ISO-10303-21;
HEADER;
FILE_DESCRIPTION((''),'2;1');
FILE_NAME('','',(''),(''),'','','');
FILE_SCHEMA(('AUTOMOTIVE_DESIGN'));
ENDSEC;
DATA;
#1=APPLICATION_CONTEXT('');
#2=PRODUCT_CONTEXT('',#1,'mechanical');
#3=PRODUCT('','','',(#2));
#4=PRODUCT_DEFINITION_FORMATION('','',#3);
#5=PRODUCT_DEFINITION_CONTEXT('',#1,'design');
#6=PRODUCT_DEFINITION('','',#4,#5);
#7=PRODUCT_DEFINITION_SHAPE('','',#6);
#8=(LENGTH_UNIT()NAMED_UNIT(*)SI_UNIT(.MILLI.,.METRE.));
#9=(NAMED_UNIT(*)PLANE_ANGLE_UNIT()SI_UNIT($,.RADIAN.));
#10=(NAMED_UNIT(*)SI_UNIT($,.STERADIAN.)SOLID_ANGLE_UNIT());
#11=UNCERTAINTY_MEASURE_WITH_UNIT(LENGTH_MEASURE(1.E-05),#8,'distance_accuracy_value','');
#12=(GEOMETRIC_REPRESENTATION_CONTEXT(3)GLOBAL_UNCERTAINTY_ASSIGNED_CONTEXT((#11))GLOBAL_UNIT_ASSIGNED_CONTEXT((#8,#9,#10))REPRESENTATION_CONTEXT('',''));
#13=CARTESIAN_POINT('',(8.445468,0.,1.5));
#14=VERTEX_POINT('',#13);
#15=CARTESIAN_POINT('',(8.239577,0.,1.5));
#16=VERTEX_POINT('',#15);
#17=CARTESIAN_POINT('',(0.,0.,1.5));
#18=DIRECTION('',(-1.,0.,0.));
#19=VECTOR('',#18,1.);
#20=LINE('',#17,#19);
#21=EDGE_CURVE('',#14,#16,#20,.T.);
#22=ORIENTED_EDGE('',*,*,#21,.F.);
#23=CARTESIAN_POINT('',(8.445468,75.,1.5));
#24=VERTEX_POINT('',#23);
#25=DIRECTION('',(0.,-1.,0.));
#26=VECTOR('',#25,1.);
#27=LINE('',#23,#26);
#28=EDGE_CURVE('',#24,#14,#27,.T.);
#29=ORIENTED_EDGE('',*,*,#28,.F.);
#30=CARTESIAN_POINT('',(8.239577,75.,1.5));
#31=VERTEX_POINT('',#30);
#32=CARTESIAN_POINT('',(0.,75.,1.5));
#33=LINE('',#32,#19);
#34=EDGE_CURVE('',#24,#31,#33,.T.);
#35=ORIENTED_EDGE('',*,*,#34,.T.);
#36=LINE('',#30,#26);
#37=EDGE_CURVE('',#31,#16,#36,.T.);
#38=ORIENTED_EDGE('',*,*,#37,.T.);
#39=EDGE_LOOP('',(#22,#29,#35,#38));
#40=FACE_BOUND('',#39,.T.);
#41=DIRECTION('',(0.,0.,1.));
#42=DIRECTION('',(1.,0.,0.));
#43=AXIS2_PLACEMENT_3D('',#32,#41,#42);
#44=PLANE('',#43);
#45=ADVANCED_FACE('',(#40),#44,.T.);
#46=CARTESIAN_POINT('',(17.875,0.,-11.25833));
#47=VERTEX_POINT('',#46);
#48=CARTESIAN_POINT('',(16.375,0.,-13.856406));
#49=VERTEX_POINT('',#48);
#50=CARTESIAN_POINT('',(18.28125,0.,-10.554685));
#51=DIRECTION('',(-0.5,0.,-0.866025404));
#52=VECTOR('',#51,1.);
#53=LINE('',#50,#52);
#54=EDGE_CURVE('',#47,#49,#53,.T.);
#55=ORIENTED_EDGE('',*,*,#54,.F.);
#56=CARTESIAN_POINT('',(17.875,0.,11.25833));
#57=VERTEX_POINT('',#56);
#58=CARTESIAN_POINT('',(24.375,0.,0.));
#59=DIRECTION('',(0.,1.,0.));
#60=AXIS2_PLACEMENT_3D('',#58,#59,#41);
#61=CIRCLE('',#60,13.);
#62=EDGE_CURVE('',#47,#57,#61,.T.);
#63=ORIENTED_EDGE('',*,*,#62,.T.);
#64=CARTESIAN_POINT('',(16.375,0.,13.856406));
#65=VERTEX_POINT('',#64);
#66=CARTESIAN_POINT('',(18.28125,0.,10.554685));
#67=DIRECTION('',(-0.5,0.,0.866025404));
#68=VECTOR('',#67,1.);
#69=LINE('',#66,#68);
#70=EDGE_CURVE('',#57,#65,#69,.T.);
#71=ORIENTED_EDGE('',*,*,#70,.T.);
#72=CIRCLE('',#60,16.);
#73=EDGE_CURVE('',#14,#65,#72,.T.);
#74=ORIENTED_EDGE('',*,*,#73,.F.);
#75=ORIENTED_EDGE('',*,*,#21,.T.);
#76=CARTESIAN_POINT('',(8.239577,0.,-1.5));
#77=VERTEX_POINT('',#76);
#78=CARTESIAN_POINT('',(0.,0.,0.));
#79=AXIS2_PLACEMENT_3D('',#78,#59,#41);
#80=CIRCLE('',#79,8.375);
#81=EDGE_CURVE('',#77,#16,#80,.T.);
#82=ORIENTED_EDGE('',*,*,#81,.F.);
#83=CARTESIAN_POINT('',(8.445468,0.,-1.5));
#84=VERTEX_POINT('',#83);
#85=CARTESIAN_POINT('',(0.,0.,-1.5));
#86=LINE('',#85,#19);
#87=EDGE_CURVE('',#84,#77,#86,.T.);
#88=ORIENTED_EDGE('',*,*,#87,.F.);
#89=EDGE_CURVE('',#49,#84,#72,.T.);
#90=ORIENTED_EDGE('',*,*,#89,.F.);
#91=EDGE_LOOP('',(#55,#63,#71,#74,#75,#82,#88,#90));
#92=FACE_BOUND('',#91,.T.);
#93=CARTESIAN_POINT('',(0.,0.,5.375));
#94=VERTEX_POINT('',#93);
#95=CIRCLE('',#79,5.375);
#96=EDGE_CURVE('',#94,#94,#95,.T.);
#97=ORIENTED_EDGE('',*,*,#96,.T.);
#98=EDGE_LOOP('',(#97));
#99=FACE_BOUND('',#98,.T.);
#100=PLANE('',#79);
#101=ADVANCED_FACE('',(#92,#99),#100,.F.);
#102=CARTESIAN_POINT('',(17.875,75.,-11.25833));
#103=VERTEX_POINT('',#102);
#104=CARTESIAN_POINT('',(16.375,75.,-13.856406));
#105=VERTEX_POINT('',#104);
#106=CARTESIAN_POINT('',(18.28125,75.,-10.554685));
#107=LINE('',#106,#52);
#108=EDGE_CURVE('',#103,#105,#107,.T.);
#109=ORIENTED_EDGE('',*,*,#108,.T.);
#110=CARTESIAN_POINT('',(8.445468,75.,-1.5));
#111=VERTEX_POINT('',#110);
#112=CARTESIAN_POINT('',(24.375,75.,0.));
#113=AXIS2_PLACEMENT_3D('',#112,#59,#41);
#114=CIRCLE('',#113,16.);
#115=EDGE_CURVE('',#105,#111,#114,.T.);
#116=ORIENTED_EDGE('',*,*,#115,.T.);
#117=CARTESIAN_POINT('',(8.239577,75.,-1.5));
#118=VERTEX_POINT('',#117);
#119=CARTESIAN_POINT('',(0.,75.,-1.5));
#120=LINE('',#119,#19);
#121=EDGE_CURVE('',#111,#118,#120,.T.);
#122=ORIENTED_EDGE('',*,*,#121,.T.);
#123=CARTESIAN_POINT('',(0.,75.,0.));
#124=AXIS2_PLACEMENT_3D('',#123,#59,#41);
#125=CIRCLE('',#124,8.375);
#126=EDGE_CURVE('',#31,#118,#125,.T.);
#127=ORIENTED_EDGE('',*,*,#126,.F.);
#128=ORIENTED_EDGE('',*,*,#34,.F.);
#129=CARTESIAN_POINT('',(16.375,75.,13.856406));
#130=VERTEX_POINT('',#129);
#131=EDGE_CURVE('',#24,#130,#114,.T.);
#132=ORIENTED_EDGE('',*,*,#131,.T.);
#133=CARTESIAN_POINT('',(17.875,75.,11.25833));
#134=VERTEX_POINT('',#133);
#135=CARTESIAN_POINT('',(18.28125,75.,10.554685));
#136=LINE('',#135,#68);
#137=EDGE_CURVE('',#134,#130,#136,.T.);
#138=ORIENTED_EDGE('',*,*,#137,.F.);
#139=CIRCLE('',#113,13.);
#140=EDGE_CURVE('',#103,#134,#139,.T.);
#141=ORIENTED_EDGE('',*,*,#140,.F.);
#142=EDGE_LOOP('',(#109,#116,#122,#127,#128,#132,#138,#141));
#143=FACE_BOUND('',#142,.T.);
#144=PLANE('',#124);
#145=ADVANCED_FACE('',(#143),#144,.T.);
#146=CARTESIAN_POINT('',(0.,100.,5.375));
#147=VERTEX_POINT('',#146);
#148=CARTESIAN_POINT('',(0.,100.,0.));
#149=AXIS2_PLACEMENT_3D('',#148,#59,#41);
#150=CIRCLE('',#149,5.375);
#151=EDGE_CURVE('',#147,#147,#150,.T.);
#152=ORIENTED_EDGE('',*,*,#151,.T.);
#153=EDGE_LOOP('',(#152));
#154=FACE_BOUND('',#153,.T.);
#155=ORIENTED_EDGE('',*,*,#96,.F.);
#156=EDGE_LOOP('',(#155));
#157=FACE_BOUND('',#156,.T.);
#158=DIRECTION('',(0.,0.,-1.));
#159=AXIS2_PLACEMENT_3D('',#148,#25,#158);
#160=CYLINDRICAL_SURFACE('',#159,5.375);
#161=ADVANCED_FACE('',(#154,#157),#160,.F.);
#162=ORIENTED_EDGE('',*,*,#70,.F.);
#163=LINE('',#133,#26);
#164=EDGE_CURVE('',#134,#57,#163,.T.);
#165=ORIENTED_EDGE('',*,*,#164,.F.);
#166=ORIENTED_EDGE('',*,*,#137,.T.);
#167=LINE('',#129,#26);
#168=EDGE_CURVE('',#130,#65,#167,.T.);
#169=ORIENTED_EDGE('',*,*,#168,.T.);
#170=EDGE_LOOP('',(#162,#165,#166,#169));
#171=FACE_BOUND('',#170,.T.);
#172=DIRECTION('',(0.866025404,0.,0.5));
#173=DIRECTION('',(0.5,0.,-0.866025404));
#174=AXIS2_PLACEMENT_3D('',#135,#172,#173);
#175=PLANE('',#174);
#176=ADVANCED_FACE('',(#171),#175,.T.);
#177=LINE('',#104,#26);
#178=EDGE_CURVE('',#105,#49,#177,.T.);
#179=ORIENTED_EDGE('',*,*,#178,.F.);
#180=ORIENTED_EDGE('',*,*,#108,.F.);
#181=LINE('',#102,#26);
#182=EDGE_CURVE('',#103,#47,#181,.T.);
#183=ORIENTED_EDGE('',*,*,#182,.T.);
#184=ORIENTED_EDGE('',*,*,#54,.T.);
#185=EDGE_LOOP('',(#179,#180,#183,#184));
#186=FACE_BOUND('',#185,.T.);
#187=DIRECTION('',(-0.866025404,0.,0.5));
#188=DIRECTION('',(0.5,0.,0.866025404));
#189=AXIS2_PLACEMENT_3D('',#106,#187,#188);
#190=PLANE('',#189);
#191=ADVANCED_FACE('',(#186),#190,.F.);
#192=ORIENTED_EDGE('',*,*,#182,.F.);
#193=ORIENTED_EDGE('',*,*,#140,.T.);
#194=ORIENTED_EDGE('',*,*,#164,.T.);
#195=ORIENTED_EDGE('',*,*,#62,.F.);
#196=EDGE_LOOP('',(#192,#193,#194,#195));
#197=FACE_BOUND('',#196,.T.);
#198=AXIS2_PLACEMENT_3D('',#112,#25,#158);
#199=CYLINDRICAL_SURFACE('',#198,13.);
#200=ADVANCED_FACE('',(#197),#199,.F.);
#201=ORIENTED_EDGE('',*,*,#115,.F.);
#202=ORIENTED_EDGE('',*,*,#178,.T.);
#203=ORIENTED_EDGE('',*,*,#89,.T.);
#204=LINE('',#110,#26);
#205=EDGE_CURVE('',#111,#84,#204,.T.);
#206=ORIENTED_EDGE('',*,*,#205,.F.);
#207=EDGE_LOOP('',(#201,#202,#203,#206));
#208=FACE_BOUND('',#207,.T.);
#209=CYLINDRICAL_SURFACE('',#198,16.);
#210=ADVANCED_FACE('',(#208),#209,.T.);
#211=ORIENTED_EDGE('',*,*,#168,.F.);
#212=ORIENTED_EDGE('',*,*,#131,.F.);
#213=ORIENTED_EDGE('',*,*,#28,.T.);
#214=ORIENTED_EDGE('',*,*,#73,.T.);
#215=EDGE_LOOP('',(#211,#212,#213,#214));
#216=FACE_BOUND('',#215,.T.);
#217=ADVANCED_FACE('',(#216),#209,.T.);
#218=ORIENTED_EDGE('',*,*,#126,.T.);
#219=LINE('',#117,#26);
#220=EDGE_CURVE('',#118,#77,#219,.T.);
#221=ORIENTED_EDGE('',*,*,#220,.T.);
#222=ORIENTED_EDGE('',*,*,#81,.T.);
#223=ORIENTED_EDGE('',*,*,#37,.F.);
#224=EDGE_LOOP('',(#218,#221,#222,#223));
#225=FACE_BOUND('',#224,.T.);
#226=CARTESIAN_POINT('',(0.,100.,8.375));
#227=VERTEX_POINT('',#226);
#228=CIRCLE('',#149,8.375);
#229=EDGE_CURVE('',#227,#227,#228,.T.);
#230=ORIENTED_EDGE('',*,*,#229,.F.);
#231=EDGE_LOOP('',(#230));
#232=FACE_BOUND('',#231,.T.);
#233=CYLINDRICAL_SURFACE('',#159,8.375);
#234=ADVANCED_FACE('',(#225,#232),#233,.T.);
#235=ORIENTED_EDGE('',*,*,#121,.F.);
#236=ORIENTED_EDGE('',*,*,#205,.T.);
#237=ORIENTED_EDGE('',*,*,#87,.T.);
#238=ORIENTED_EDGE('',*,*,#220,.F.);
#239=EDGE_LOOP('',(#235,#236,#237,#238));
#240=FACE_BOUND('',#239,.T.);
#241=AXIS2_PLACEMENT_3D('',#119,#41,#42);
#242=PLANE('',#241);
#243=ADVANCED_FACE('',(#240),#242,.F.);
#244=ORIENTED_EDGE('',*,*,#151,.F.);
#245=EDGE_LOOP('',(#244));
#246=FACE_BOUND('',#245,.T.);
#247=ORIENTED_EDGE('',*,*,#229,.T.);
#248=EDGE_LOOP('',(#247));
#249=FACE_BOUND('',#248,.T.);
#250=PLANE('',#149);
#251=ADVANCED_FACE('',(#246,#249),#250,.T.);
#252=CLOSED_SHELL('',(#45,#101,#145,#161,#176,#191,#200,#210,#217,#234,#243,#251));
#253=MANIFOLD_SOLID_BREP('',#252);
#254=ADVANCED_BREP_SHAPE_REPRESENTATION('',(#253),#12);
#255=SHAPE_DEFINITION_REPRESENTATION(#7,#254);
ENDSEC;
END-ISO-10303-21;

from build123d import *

# Parameters (mm, degrees)
SKETCH1_R           = 8.375
SKETCH1_R_2         = 5.375
BOSS_EXTRUDE1_DEPTH = 100
BOSS_EXTRUDE2_DEPTH = 75


with BuildPart() as part:
    # Sketch1 → Boss-Extrude1 (new body)
    with BuildSketch(Plane(origin=(0, 0, 0), x_dir=(1, 0, 0), z_dir=(0, 1, 0))):
        Circle(SKETCH1_R)
        Circle(SKETCH1_R_2, mode=Mode.SUBTRACT)
    extrude(amount=BOSS_EXTRUDE1_DEPTH)

    # Sketch2 → Boss-Extrude2 (add)
    with BuildSketch(Plane(origin=(0, 0, 0), x_dir=(1, 0, 0), z_dir=(0, 1, 0))):
        with BuildLine():
            Line((8.445467678, 1.5), (8.239576749, 1.5))
            ThreePointArc((8.239576749, 1.5), (8.375, 0), (8.239576749, -1.5))
            Line((8.239576749, -1.5), (8.445467678, -1.5))
            ThreePointArc((8.445467678, -1.5), (10.909272228, -8.64142208), (16.375, -13.856406461))
            Line((16.375, -13.856406461), (17.875, -11.258330249))
            ThreePointArc((17.875, -11.258330249), (11.375, 0), (17.875, 11.258330249))
            Line((17.875, 11.258330249), (16.375, 13.856406461))
            ThreePointArc((16.375, 13.856406461), (10.909272228, 8.64142208), (8.445467678, 1.5))
        make_face()
    extrude(amount=BOSS_EXTRUDE2_DEPTH)


solid = part.part
